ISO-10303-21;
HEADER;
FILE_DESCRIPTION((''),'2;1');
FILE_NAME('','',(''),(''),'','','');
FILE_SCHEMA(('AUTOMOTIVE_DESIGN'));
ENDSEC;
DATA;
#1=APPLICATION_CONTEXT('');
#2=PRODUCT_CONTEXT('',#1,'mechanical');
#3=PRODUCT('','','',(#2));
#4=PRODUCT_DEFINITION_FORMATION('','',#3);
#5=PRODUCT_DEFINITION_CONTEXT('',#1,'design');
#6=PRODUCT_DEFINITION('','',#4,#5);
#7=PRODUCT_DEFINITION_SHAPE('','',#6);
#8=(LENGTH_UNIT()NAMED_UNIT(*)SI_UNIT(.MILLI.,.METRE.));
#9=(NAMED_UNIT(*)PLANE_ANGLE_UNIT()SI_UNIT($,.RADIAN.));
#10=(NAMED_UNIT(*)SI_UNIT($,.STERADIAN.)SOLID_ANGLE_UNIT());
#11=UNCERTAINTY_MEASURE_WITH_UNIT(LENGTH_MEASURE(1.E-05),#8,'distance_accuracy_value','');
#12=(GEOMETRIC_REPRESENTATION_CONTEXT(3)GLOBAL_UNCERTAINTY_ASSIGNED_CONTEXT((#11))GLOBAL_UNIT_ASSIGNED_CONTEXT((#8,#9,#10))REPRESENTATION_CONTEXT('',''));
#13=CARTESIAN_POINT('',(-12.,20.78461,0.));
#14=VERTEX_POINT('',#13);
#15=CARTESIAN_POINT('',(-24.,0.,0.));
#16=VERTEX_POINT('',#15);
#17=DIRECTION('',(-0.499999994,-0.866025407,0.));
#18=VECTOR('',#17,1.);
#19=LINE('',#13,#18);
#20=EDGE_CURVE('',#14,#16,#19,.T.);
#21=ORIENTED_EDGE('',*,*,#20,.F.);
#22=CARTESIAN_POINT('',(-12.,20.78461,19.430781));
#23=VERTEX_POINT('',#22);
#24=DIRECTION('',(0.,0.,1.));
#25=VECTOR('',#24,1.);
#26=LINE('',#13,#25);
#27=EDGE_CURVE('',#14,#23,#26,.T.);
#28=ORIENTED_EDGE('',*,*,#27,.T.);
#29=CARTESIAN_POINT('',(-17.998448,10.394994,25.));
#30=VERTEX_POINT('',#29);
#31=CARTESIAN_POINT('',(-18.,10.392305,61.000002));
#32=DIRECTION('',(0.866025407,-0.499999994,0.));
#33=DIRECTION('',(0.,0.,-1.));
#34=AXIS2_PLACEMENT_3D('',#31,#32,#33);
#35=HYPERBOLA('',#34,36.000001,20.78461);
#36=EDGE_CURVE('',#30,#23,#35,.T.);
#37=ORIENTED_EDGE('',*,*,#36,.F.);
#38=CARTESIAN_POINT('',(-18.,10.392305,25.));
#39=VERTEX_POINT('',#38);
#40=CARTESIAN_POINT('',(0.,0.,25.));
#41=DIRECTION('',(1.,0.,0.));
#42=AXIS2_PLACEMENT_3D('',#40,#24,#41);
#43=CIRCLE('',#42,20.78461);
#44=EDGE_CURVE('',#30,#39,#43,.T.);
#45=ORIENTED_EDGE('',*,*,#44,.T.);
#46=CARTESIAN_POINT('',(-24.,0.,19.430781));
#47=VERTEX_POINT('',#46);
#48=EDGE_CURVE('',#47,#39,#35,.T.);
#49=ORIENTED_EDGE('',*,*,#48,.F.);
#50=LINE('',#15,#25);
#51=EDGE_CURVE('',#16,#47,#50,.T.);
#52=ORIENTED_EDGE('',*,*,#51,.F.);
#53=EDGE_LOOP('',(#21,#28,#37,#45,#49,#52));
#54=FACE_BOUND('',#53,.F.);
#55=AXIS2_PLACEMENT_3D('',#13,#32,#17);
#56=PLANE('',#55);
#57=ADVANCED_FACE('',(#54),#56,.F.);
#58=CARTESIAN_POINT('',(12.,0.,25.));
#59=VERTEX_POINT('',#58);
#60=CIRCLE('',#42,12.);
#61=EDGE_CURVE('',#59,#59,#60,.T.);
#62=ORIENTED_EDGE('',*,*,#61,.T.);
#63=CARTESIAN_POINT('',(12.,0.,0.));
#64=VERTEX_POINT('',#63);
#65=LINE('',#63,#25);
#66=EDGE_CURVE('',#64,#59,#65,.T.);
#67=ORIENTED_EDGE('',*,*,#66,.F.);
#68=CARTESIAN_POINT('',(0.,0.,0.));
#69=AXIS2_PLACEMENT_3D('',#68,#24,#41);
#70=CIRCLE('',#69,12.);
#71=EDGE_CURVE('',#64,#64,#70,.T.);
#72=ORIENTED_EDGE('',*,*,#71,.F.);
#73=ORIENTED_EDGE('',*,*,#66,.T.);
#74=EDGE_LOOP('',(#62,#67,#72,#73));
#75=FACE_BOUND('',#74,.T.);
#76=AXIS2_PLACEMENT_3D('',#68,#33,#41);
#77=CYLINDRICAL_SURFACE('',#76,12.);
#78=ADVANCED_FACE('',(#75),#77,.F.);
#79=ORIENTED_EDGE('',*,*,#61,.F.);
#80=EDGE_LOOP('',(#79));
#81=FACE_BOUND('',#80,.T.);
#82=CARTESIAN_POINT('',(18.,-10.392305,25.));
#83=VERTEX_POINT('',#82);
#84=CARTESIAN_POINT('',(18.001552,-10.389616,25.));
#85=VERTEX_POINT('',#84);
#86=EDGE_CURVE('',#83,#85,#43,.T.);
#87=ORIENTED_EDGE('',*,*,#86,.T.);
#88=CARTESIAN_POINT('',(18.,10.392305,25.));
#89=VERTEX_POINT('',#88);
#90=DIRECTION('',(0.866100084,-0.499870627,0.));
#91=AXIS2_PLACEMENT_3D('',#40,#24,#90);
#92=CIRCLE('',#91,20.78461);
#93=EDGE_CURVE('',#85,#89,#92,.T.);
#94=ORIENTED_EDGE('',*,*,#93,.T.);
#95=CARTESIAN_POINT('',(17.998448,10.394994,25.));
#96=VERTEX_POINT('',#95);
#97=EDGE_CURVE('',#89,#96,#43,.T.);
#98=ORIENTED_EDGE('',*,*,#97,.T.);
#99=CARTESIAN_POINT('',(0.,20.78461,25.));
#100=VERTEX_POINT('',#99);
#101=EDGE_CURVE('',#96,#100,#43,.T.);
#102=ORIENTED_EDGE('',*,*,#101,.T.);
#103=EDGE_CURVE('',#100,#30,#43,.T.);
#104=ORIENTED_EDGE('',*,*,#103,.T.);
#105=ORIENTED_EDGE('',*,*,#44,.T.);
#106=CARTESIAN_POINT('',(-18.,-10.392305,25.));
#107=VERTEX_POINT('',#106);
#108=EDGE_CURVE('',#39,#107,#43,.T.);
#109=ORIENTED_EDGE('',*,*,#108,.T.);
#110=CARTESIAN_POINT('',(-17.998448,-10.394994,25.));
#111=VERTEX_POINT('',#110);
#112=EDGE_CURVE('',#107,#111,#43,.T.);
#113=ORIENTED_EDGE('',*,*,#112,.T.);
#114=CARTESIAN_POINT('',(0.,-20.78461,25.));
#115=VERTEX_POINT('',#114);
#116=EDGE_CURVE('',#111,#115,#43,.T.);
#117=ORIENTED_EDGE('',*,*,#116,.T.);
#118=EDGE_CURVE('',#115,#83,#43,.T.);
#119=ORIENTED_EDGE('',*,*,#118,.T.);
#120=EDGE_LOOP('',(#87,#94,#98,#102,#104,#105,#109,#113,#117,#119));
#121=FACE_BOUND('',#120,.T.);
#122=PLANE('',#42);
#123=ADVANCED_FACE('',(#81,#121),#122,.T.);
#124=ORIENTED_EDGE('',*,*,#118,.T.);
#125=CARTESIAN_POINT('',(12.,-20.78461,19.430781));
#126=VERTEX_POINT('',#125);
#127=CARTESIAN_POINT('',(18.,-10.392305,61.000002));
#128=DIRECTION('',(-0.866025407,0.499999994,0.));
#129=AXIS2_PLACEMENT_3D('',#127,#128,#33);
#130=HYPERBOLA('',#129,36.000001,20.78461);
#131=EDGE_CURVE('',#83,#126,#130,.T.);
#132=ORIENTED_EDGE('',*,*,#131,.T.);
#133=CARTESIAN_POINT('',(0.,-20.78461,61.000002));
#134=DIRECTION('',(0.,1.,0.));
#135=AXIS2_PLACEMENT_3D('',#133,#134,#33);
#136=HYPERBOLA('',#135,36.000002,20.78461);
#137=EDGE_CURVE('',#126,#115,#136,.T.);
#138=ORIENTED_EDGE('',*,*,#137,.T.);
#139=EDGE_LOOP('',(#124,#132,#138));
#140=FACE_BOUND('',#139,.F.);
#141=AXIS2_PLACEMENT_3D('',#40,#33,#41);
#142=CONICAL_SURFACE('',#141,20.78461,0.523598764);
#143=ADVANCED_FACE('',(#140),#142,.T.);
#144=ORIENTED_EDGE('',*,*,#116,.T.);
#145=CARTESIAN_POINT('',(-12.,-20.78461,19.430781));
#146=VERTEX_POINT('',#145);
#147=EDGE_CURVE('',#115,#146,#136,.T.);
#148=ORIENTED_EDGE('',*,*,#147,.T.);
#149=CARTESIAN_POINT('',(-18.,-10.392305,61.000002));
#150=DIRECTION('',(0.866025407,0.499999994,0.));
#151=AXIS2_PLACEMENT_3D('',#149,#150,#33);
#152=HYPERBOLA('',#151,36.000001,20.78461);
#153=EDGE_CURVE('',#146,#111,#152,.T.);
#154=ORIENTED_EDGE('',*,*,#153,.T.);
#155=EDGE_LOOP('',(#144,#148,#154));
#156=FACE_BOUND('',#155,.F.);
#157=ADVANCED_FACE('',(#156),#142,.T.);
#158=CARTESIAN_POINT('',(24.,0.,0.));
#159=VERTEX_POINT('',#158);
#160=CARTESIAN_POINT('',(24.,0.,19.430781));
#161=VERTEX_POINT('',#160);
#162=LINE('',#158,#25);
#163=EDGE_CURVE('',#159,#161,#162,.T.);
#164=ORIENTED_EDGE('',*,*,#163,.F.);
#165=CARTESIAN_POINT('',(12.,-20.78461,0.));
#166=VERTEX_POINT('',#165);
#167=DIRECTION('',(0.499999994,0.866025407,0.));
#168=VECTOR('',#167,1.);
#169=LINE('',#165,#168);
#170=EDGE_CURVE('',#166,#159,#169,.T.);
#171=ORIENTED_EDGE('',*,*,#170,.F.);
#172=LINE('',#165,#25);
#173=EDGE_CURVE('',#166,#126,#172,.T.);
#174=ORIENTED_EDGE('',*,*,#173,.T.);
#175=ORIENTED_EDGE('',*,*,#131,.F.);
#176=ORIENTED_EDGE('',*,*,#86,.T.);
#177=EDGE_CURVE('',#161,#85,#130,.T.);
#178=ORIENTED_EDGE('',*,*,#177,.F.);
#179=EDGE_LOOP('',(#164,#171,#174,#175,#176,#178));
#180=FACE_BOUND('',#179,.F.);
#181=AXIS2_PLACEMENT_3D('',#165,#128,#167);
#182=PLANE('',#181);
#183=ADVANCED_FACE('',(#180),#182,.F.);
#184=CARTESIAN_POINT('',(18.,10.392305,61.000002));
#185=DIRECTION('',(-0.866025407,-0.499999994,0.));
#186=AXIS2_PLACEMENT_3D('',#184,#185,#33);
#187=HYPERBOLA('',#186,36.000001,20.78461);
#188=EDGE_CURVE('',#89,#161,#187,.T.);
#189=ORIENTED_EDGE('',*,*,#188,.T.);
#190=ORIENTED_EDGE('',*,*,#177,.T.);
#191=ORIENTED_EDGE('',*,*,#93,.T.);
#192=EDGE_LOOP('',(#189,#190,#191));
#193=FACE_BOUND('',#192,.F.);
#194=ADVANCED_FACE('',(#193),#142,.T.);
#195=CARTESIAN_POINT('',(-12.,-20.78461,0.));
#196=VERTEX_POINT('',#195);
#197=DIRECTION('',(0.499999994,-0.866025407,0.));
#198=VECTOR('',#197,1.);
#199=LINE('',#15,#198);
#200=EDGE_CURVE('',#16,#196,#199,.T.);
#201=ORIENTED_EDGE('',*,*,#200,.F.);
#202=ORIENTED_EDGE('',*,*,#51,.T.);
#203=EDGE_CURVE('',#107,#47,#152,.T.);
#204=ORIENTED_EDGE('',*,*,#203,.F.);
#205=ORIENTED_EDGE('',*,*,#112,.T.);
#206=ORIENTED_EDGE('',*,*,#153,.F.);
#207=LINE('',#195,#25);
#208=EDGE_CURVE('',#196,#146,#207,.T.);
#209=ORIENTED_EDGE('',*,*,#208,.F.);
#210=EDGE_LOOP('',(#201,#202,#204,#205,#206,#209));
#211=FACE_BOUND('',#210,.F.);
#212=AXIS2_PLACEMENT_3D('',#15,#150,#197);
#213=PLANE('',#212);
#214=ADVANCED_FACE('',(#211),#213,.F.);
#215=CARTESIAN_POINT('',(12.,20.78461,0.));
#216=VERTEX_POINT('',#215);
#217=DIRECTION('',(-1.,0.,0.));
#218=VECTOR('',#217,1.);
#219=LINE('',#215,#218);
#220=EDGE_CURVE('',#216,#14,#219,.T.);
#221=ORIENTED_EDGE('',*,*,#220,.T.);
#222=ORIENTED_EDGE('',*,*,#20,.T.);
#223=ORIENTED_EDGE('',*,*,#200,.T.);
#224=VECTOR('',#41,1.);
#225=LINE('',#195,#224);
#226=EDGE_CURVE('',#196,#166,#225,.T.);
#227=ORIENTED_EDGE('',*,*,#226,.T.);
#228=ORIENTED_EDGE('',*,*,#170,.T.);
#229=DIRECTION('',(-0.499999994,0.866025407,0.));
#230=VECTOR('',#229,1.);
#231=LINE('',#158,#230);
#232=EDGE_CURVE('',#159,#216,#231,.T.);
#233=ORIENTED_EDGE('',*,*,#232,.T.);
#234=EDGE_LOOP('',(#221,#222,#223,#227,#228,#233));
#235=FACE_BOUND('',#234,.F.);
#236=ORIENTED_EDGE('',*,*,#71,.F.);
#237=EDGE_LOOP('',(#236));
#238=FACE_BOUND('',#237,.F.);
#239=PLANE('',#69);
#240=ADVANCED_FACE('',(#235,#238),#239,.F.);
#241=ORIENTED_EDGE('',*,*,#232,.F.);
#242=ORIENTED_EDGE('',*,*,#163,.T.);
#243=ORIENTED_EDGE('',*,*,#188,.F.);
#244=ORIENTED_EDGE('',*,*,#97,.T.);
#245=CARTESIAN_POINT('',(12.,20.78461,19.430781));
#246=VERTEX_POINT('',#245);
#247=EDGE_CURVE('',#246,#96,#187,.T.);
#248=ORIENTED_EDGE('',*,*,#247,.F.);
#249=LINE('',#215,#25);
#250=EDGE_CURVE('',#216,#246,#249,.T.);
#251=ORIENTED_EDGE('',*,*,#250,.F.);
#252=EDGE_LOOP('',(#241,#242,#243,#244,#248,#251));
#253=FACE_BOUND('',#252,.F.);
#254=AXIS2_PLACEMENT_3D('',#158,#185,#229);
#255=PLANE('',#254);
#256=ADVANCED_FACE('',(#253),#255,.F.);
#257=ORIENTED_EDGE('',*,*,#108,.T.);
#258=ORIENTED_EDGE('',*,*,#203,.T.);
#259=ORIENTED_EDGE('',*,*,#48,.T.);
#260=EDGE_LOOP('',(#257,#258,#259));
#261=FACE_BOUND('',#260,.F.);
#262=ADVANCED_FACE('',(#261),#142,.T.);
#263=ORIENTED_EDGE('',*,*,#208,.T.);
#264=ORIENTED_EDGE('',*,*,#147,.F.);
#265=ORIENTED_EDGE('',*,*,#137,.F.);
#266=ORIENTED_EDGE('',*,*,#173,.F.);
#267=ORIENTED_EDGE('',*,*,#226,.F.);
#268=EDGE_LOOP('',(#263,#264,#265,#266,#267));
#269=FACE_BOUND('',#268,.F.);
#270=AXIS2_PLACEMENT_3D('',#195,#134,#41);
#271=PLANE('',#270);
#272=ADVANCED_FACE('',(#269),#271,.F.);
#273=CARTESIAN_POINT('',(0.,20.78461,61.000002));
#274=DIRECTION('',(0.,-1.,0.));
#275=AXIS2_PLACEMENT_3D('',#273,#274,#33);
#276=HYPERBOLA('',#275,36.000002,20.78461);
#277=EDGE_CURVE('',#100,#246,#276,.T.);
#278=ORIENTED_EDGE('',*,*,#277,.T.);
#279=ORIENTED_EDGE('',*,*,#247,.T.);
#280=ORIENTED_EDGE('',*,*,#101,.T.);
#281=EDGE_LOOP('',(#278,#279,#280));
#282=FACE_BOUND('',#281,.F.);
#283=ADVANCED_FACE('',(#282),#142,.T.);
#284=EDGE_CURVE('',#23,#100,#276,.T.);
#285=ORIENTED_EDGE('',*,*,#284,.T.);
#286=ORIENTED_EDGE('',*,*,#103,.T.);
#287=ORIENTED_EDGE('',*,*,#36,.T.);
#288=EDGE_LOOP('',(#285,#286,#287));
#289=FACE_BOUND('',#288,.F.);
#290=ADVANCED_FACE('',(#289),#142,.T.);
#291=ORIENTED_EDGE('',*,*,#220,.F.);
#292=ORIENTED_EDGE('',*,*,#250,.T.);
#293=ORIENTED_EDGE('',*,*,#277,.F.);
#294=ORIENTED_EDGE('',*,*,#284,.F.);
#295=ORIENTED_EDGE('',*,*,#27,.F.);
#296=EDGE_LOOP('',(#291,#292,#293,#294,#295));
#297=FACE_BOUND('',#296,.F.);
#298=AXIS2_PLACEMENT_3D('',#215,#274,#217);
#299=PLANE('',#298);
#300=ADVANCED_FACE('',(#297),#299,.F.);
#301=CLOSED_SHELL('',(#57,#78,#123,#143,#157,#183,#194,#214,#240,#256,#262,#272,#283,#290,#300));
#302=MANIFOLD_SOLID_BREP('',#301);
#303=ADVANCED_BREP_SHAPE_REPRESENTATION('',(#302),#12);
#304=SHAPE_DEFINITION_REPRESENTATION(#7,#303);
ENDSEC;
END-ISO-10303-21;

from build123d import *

# Parameters (mm, degrees)
F0_R     = 12
F1_DEPTH = 25


with BuildPart() as f1:
    # F0 (on Top) → F1 (new body)
    with BuildSketch(Plane.XY):
        Polygon((24, 0), (12, 20.78461), (-12, 20.78461), (-24, 0), (-12, -20.78461), (12, -20.78461), align=None)
        Circle(F0_R, mode=Mode.SUBTRACT)
    extrude(amount=F1_DEPTH)

    # F3 (on Front) → F4 (revolve, cut)
    with BuildSketch(Plane.XZ):
        Polygon((24, 25), (20.78461, 25), (24, 19.430781), align=None)
    revolve(axis=Axis((0, 0, 14.01754), (0, 0, 1)), mode=Mode.SUBTRACT)


solid = f1.part
